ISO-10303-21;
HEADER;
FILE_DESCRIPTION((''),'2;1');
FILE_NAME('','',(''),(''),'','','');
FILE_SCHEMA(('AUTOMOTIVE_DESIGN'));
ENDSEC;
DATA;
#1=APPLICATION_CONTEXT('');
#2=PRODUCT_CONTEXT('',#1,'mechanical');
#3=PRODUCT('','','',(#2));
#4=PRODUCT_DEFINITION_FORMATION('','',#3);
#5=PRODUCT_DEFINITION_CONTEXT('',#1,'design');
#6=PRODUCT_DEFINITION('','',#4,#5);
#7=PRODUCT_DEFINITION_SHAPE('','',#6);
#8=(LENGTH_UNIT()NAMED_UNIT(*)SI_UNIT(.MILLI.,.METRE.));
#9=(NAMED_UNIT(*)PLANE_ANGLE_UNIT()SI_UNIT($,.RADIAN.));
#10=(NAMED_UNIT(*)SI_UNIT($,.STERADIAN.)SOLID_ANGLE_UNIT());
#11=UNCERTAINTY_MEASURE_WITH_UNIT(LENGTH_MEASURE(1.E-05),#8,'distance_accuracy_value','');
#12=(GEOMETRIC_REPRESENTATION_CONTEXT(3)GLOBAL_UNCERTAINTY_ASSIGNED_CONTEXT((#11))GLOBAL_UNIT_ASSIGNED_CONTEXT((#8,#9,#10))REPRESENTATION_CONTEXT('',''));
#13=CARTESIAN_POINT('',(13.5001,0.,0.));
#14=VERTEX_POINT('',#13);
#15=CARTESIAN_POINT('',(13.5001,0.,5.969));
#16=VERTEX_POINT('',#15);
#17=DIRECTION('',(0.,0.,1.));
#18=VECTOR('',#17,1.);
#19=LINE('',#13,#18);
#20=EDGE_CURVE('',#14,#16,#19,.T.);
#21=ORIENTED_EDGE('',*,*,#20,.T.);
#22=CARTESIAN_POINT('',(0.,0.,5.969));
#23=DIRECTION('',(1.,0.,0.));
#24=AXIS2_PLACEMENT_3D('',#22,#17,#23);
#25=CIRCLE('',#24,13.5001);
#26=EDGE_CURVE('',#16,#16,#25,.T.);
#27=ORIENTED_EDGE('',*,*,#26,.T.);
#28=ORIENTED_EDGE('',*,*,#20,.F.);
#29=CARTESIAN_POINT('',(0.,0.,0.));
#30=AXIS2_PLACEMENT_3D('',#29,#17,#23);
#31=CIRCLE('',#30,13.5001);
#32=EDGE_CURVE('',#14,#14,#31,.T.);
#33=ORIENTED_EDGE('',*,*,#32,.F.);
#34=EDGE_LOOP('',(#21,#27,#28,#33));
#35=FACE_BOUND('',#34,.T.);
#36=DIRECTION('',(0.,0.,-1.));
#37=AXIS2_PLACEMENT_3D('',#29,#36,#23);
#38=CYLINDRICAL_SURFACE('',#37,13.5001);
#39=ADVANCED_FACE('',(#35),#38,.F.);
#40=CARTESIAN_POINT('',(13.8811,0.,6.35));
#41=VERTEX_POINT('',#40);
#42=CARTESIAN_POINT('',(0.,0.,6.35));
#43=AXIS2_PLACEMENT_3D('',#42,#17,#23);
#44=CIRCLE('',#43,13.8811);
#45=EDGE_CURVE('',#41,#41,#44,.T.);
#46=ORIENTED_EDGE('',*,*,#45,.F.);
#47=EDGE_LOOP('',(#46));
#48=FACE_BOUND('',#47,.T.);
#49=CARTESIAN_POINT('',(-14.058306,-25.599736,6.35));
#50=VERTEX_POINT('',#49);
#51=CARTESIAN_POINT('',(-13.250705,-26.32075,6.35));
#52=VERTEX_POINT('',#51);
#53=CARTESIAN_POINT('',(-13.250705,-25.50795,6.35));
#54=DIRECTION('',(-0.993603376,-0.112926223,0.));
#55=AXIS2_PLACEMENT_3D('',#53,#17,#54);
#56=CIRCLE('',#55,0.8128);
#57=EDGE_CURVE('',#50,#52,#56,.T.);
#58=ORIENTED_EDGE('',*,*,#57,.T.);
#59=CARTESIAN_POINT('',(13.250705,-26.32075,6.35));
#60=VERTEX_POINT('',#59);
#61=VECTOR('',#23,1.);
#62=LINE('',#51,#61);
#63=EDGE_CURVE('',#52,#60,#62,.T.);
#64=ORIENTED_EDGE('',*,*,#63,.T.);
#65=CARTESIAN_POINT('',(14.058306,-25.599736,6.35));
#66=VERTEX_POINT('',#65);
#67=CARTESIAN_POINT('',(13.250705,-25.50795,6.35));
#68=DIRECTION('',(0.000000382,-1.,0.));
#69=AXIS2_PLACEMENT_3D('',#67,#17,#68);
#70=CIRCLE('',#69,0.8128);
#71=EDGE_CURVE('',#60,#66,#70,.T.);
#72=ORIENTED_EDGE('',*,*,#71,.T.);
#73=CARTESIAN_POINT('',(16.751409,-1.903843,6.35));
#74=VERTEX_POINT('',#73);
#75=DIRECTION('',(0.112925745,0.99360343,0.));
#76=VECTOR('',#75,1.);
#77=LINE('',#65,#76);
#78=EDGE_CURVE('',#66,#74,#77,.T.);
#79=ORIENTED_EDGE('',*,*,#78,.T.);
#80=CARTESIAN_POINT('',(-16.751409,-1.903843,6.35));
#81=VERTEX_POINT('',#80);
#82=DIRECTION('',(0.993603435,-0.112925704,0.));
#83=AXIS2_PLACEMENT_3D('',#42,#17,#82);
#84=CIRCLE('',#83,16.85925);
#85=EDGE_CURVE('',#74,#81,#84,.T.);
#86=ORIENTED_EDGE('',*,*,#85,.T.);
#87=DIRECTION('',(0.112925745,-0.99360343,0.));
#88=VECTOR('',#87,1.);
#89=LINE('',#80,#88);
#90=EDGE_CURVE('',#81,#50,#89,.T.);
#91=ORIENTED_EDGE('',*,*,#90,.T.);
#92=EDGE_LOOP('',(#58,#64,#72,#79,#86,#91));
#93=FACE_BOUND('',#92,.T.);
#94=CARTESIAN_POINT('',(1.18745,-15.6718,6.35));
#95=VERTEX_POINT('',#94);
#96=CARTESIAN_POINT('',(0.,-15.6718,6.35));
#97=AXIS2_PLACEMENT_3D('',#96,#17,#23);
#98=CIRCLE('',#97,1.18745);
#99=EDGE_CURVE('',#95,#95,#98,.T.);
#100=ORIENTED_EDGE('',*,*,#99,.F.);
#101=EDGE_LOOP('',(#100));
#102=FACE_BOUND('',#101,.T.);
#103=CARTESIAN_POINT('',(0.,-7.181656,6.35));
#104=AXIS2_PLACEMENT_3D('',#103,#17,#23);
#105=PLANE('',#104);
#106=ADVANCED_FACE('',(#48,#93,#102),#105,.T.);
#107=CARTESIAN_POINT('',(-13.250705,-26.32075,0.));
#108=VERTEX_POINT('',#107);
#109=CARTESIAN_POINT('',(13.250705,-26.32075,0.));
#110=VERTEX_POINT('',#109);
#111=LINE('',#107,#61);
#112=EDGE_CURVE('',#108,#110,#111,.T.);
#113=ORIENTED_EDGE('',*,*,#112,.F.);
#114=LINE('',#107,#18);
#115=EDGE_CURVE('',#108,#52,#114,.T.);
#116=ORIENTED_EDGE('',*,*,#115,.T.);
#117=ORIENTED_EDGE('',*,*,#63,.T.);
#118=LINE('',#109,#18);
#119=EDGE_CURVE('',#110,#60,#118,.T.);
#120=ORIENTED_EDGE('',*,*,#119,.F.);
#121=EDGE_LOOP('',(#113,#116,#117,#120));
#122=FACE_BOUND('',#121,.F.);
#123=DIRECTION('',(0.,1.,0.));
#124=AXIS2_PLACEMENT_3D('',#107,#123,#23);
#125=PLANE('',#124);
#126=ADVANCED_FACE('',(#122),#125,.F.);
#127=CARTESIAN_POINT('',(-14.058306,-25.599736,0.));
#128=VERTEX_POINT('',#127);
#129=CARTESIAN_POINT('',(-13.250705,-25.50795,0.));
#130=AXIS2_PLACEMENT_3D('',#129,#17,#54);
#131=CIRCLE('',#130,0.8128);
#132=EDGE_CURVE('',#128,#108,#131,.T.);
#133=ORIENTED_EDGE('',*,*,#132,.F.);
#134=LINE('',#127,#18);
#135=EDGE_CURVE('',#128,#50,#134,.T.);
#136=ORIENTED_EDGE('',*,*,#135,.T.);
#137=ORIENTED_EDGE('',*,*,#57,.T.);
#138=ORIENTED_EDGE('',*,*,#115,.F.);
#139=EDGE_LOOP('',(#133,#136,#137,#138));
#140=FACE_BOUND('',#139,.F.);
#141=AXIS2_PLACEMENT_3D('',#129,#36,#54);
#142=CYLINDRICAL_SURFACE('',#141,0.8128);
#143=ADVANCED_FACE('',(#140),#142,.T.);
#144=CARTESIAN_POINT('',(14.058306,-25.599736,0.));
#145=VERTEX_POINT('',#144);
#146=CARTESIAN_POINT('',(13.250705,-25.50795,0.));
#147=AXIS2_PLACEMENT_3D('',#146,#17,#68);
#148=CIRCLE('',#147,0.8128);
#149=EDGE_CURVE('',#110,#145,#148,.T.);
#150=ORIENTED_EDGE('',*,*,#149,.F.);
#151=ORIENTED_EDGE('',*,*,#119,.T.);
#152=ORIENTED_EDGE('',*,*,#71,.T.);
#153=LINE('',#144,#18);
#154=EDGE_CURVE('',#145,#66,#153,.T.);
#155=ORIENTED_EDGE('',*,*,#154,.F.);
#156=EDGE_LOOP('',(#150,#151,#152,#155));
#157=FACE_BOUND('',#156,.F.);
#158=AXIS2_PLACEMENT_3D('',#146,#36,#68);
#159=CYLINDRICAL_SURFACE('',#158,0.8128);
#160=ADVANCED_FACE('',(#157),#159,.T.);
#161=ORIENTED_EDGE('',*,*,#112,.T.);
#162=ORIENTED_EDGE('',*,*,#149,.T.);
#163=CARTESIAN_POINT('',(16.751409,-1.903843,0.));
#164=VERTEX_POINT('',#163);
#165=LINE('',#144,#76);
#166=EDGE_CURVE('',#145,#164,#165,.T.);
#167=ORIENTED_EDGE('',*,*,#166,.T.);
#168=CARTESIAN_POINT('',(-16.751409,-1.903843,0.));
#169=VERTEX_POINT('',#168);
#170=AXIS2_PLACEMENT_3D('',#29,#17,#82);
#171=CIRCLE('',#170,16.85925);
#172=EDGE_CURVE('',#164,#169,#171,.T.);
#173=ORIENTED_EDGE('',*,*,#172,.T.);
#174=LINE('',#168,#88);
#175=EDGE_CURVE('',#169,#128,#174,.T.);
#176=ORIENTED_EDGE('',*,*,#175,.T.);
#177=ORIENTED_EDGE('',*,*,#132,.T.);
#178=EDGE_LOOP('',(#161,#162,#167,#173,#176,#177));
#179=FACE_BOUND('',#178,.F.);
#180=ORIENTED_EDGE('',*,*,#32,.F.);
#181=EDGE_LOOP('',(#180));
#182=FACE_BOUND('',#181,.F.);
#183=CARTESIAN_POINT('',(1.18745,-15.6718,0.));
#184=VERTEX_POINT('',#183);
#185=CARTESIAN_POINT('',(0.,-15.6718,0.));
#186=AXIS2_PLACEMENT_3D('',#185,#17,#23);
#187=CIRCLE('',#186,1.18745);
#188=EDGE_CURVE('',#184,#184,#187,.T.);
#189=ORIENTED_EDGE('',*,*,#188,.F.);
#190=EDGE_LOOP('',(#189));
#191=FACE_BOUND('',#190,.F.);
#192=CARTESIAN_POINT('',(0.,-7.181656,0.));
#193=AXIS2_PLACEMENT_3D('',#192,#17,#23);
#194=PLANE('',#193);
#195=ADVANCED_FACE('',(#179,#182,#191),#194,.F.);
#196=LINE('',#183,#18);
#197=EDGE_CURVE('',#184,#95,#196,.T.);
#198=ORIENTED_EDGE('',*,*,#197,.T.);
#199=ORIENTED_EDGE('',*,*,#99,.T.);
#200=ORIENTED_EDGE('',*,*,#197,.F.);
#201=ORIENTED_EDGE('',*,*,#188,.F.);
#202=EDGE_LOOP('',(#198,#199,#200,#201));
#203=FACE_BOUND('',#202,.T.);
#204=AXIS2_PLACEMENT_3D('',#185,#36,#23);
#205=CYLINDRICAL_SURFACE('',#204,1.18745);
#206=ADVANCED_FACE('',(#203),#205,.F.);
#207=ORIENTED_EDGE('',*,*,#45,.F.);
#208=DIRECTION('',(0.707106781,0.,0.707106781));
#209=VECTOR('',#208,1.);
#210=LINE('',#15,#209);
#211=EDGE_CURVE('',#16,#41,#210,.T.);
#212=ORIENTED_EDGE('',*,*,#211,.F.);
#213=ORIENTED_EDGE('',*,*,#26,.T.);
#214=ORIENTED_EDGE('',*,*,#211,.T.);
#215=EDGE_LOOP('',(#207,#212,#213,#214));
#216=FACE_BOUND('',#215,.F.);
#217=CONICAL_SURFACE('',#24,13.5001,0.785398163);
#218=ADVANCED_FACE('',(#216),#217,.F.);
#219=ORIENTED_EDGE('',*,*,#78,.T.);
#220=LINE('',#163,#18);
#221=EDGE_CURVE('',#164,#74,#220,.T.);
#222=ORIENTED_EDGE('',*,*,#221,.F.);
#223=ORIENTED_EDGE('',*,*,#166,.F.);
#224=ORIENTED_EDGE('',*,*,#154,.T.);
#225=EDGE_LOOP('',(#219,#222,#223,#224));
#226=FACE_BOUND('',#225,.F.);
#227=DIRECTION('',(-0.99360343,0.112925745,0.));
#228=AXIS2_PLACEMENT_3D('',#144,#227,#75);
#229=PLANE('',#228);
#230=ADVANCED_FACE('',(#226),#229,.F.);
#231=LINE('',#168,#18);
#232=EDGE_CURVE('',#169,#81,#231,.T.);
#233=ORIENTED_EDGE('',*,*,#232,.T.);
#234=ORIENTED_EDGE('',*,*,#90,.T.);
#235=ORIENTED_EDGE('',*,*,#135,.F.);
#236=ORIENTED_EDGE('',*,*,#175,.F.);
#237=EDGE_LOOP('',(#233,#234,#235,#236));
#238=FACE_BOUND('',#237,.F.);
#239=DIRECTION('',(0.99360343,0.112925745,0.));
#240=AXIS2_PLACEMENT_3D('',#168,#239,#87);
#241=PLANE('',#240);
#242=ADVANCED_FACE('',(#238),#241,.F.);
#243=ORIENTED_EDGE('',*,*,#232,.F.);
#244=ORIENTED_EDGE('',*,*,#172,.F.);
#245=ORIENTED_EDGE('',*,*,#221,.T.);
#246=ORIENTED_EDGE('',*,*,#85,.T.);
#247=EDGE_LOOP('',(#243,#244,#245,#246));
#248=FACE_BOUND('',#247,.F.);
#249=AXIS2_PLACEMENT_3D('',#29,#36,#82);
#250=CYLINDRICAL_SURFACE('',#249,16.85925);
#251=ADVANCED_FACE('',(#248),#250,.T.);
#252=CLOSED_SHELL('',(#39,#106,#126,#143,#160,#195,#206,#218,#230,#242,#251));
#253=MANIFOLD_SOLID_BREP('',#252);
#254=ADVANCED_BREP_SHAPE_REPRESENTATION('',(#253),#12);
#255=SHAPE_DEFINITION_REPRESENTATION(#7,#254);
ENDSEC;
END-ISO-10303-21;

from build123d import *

# Parameters (mm, degrees)
F0_R     = 1.18745
F0_R_2   = 13.5001
F1_DEPTH = 6.35
F2_SIZE  = 0.381


with BuildPart() as f1:
    # F0 (on Top) → F1 (new body)
    with BuildSketch(Plane.XY):
        with BuildLine():
            Line((14.058306, -25.599736), (16.751409, -1.903843))
            ThreePointArc((16.751409, -1.903843), (0, 16.85925), (-16.751409, -1.903843))
            Line((-16.751409, -1.903843), (-14.058306, -25.599736))
            ThreePointArc((-14.058306, -25.599736), (-13.792018, -26.11427), (-13.250705, -26.32075))
            Line((-13.250705, -26.32075), (0, -26.32075))
            Line((0, -26.32075), (13.250705, -26.32075))
            ThreePointArc((13.250705, -26.32075), (13.792018, -26.11427), (14.058306, -25.599736))
        make_face()
        with Locations((0, -15.6718)):
            Circle(F0_R, mode=Mode.SUBTRACT)
        Circle(F0_R_2, mode=Mode.SUBTRACT)
    extrude(amount=F1_DEPTH)

    # F2
    f2_edges = [f1.edges().sort_by_distance(p)[0] for p in [
        (-13.5001, 0, 6.35),
    ]]
    chamfer(f2_edges, length=F2_SIZE)


solid = f1.part
